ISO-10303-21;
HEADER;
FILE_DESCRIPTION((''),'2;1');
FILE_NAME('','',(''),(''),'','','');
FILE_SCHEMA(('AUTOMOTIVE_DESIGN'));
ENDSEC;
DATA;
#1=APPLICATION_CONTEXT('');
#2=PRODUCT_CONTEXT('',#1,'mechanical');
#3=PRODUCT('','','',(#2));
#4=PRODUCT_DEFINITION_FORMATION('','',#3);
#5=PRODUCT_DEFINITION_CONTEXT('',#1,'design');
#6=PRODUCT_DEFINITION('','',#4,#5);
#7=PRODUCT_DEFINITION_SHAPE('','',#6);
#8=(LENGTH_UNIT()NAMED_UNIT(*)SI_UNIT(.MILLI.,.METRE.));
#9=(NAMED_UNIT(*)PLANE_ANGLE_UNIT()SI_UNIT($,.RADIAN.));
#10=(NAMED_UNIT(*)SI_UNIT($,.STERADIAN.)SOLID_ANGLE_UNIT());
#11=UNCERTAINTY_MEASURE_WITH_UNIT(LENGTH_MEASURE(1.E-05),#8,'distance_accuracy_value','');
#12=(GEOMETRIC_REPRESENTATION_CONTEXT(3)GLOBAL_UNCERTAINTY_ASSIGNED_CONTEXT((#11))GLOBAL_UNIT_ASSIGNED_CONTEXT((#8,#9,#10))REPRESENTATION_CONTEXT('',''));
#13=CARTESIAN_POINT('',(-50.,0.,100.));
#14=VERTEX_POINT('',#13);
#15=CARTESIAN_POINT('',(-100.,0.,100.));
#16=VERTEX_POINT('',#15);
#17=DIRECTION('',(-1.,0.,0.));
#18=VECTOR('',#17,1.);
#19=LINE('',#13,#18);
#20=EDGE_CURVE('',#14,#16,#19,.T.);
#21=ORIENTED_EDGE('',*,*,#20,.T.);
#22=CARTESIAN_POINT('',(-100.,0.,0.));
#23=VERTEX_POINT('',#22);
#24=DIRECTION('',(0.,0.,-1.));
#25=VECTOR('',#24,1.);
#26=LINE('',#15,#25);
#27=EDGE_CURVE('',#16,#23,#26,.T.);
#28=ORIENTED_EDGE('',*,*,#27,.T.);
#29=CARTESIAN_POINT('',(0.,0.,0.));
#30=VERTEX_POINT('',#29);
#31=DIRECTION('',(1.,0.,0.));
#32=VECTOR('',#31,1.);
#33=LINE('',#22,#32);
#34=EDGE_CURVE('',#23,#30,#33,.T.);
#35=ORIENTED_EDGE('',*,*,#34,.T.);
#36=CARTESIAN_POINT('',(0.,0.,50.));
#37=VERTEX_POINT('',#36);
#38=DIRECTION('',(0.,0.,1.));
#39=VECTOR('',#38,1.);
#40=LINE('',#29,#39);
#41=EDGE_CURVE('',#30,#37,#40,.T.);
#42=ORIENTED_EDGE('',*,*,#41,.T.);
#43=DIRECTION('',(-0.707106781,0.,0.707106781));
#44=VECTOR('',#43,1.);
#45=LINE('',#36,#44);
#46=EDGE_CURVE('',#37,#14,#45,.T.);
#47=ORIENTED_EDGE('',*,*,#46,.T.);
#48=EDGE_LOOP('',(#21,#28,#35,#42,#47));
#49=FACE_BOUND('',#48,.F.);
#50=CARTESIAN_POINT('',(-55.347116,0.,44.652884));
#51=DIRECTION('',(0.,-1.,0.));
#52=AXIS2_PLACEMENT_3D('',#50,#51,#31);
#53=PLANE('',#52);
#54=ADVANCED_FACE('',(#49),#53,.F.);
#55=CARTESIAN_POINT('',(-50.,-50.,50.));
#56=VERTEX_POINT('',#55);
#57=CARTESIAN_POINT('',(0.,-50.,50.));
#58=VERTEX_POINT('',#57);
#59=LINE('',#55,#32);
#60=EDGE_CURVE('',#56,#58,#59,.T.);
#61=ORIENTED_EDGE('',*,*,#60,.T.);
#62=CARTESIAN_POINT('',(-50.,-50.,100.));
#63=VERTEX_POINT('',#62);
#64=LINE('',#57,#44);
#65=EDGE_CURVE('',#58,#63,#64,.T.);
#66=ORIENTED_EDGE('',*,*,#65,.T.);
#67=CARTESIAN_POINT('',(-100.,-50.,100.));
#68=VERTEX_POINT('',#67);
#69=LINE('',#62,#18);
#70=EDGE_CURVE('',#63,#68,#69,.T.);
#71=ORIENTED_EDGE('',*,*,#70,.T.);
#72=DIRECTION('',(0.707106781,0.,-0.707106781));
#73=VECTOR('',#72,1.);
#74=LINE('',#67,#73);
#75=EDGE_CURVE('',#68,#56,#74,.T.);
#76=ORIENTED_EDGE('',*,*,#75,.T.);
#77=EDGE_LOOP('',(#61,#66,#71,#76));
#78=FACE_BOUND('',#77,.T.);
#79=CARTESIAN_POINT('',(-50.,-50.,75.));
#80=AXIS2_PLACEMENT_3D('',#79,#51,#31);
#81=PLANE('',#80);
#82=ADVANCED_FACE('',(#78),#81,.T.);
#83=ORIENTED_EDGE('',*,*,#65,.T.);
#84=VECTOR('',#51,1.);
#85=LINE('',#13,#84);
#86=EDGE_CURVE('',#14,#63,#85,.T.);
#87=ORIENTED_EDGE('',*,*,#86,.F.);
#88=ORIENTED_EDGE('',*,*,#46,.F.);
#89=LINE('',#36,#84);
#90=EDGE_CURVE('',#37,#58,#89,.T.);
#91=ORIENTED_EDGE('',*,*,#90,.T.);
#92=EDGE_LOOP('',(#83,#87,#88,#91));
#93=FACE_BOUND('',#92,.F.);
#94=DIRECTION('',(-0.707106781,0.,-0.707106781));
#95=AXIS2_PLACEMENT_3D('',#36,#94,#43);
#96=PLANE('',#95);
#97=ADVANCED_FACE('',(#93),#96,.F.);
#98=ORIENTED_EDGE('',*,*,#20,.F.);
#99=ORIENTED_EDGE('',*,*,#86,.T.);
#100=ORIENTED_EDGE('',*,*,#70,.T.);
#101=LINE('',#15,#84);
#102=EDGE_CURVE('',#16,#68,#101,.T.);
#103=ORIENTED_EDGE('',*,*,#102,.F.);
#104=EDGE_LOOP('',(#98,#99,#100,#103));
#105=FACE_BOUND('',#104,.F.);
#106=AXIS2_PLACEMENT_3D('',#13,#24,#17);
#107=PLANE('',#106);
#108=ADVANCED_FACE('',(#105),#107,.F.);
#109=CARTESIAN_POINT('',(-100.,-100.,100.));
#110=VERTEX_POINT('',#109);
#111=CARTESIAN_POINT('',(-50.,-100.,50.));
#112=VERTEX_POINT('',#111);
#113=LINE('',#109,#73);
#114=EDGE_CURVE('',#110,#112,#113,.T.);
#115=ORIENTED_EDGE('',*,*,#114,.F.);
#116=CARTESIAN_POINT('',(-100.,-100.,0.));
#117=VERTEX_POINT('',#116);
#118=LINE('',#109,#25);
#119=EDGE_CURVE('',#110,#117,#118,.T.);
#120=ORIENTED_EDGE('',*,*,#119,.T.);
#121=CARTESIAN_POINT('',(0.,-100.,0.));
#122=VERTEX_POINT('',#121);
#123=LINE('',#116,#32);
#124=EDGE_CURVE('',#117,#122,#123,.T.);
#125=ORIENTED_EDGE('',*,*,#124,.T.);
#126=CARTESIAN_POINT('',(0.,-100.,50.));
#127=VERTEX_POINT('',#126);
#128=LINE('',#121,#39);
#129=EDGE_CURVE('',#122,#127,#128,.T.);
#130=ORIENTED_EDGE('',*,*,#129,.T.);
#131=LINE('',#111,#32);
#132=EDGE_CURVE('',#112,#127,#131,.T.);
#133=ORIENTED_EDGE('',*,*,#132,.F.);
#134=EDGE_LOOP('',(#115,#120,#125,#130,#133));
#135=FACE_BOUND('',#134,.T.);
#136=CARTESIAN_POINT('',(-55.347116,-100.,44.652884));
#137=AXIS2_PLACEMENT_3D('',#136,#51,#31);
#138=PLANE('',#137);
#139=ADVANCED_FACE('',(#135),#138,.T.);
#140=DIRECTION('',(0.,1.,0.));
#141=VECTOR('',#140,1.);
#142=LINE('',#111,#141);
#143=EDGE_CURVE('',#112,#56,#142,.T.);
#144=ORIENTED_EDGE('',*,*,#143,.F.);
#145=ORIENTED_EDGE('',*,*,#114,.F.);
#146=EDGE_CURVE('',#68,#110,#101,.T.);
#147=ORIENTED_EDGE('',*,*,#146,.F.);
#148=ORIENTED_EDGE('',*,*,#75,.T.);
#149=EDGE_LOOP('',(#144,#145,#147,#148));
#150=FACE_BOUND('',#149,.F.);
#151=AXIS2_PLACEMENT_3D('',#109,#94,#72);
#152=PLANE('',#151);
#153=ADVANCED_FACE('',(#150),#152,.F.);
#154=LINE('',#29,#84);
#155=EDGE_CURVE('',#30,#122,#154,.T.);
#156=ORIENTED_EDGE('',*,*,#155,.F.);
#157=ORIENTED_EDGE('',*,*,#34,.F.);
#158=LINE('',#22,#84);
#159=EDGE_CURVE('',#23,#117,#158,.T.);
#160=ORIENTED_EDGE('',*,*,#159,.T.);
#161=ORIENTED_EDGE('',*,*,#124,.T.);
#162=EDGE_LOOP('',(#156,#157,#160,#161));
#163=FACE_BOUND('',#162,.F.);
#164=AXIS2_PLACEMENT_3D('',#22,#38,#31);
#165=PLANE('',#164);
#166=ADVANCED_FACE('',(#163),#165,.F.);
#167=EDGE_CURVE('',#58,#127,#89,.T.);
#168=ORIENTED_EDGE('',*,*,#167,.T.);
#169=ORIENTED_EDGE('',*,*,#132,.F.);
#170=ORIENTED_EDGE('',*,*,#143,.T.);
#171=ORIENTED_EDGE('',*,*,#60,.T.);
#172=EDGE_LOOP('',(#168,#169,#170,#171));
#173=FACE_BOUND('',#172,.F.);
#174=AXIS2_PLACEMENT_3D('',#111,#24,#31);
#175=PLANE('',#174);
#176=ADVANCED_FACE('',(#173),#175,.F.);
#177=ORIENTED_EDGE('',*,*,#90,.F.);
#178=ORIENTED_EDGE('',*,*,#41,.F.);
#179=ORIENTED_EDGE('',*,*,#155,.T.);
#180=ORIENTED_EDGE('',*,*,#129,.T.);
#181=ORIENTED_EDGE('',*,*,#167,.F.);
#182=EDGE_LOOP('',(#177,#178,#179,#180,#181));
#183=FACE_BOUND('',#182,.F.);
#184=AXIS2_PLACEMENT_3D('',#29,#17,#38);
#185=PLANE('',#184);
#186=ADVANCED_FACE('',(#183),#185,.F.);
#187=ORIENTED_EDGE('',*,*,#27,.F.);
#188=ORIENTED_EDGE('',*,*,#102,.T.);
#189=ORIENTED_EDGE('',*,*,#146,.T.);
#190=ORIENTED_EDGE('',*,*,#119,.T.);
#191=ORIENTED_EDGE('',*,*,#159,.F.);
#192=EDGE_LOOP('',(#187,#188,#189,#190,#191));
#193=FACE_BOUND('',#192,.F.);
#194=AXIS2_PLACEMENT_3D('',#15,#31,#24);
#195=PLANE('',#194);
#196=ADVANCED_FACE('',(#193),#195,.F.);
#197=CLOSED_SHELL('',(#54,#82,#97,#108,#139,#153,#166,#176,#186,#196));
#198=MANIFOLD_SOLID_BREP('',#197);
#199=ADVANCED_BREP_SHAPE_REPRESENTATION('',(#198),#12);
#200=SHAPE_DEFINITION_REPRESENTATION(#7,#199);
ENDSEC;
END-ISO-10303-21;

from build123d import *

# Parameters (mm, degrees)
F1_DEPTH = 100
F3_DEPTH = 50


with BuildPart() as f1:
    # F0 (on Front) → F1 (new body)
    with BuildSketch(Plane.XZ):
        Polygon((-100, 0), (0, 0), (0, 50), (-50, 100), (-100, 100), align=None)
    extrude(amount=F1_DEPTH)

    # F2 (on face) → F3 (cut)
    with BuildSketch(Plane.XZ.offset(100)):
        Polygon((-50, 50), (0, 50), (-50, 100), (-100, 100), align=None)
    extrude(amount=-F3_DEPTH, mode=Mode.SUBTRACT)


solid = f1.part
